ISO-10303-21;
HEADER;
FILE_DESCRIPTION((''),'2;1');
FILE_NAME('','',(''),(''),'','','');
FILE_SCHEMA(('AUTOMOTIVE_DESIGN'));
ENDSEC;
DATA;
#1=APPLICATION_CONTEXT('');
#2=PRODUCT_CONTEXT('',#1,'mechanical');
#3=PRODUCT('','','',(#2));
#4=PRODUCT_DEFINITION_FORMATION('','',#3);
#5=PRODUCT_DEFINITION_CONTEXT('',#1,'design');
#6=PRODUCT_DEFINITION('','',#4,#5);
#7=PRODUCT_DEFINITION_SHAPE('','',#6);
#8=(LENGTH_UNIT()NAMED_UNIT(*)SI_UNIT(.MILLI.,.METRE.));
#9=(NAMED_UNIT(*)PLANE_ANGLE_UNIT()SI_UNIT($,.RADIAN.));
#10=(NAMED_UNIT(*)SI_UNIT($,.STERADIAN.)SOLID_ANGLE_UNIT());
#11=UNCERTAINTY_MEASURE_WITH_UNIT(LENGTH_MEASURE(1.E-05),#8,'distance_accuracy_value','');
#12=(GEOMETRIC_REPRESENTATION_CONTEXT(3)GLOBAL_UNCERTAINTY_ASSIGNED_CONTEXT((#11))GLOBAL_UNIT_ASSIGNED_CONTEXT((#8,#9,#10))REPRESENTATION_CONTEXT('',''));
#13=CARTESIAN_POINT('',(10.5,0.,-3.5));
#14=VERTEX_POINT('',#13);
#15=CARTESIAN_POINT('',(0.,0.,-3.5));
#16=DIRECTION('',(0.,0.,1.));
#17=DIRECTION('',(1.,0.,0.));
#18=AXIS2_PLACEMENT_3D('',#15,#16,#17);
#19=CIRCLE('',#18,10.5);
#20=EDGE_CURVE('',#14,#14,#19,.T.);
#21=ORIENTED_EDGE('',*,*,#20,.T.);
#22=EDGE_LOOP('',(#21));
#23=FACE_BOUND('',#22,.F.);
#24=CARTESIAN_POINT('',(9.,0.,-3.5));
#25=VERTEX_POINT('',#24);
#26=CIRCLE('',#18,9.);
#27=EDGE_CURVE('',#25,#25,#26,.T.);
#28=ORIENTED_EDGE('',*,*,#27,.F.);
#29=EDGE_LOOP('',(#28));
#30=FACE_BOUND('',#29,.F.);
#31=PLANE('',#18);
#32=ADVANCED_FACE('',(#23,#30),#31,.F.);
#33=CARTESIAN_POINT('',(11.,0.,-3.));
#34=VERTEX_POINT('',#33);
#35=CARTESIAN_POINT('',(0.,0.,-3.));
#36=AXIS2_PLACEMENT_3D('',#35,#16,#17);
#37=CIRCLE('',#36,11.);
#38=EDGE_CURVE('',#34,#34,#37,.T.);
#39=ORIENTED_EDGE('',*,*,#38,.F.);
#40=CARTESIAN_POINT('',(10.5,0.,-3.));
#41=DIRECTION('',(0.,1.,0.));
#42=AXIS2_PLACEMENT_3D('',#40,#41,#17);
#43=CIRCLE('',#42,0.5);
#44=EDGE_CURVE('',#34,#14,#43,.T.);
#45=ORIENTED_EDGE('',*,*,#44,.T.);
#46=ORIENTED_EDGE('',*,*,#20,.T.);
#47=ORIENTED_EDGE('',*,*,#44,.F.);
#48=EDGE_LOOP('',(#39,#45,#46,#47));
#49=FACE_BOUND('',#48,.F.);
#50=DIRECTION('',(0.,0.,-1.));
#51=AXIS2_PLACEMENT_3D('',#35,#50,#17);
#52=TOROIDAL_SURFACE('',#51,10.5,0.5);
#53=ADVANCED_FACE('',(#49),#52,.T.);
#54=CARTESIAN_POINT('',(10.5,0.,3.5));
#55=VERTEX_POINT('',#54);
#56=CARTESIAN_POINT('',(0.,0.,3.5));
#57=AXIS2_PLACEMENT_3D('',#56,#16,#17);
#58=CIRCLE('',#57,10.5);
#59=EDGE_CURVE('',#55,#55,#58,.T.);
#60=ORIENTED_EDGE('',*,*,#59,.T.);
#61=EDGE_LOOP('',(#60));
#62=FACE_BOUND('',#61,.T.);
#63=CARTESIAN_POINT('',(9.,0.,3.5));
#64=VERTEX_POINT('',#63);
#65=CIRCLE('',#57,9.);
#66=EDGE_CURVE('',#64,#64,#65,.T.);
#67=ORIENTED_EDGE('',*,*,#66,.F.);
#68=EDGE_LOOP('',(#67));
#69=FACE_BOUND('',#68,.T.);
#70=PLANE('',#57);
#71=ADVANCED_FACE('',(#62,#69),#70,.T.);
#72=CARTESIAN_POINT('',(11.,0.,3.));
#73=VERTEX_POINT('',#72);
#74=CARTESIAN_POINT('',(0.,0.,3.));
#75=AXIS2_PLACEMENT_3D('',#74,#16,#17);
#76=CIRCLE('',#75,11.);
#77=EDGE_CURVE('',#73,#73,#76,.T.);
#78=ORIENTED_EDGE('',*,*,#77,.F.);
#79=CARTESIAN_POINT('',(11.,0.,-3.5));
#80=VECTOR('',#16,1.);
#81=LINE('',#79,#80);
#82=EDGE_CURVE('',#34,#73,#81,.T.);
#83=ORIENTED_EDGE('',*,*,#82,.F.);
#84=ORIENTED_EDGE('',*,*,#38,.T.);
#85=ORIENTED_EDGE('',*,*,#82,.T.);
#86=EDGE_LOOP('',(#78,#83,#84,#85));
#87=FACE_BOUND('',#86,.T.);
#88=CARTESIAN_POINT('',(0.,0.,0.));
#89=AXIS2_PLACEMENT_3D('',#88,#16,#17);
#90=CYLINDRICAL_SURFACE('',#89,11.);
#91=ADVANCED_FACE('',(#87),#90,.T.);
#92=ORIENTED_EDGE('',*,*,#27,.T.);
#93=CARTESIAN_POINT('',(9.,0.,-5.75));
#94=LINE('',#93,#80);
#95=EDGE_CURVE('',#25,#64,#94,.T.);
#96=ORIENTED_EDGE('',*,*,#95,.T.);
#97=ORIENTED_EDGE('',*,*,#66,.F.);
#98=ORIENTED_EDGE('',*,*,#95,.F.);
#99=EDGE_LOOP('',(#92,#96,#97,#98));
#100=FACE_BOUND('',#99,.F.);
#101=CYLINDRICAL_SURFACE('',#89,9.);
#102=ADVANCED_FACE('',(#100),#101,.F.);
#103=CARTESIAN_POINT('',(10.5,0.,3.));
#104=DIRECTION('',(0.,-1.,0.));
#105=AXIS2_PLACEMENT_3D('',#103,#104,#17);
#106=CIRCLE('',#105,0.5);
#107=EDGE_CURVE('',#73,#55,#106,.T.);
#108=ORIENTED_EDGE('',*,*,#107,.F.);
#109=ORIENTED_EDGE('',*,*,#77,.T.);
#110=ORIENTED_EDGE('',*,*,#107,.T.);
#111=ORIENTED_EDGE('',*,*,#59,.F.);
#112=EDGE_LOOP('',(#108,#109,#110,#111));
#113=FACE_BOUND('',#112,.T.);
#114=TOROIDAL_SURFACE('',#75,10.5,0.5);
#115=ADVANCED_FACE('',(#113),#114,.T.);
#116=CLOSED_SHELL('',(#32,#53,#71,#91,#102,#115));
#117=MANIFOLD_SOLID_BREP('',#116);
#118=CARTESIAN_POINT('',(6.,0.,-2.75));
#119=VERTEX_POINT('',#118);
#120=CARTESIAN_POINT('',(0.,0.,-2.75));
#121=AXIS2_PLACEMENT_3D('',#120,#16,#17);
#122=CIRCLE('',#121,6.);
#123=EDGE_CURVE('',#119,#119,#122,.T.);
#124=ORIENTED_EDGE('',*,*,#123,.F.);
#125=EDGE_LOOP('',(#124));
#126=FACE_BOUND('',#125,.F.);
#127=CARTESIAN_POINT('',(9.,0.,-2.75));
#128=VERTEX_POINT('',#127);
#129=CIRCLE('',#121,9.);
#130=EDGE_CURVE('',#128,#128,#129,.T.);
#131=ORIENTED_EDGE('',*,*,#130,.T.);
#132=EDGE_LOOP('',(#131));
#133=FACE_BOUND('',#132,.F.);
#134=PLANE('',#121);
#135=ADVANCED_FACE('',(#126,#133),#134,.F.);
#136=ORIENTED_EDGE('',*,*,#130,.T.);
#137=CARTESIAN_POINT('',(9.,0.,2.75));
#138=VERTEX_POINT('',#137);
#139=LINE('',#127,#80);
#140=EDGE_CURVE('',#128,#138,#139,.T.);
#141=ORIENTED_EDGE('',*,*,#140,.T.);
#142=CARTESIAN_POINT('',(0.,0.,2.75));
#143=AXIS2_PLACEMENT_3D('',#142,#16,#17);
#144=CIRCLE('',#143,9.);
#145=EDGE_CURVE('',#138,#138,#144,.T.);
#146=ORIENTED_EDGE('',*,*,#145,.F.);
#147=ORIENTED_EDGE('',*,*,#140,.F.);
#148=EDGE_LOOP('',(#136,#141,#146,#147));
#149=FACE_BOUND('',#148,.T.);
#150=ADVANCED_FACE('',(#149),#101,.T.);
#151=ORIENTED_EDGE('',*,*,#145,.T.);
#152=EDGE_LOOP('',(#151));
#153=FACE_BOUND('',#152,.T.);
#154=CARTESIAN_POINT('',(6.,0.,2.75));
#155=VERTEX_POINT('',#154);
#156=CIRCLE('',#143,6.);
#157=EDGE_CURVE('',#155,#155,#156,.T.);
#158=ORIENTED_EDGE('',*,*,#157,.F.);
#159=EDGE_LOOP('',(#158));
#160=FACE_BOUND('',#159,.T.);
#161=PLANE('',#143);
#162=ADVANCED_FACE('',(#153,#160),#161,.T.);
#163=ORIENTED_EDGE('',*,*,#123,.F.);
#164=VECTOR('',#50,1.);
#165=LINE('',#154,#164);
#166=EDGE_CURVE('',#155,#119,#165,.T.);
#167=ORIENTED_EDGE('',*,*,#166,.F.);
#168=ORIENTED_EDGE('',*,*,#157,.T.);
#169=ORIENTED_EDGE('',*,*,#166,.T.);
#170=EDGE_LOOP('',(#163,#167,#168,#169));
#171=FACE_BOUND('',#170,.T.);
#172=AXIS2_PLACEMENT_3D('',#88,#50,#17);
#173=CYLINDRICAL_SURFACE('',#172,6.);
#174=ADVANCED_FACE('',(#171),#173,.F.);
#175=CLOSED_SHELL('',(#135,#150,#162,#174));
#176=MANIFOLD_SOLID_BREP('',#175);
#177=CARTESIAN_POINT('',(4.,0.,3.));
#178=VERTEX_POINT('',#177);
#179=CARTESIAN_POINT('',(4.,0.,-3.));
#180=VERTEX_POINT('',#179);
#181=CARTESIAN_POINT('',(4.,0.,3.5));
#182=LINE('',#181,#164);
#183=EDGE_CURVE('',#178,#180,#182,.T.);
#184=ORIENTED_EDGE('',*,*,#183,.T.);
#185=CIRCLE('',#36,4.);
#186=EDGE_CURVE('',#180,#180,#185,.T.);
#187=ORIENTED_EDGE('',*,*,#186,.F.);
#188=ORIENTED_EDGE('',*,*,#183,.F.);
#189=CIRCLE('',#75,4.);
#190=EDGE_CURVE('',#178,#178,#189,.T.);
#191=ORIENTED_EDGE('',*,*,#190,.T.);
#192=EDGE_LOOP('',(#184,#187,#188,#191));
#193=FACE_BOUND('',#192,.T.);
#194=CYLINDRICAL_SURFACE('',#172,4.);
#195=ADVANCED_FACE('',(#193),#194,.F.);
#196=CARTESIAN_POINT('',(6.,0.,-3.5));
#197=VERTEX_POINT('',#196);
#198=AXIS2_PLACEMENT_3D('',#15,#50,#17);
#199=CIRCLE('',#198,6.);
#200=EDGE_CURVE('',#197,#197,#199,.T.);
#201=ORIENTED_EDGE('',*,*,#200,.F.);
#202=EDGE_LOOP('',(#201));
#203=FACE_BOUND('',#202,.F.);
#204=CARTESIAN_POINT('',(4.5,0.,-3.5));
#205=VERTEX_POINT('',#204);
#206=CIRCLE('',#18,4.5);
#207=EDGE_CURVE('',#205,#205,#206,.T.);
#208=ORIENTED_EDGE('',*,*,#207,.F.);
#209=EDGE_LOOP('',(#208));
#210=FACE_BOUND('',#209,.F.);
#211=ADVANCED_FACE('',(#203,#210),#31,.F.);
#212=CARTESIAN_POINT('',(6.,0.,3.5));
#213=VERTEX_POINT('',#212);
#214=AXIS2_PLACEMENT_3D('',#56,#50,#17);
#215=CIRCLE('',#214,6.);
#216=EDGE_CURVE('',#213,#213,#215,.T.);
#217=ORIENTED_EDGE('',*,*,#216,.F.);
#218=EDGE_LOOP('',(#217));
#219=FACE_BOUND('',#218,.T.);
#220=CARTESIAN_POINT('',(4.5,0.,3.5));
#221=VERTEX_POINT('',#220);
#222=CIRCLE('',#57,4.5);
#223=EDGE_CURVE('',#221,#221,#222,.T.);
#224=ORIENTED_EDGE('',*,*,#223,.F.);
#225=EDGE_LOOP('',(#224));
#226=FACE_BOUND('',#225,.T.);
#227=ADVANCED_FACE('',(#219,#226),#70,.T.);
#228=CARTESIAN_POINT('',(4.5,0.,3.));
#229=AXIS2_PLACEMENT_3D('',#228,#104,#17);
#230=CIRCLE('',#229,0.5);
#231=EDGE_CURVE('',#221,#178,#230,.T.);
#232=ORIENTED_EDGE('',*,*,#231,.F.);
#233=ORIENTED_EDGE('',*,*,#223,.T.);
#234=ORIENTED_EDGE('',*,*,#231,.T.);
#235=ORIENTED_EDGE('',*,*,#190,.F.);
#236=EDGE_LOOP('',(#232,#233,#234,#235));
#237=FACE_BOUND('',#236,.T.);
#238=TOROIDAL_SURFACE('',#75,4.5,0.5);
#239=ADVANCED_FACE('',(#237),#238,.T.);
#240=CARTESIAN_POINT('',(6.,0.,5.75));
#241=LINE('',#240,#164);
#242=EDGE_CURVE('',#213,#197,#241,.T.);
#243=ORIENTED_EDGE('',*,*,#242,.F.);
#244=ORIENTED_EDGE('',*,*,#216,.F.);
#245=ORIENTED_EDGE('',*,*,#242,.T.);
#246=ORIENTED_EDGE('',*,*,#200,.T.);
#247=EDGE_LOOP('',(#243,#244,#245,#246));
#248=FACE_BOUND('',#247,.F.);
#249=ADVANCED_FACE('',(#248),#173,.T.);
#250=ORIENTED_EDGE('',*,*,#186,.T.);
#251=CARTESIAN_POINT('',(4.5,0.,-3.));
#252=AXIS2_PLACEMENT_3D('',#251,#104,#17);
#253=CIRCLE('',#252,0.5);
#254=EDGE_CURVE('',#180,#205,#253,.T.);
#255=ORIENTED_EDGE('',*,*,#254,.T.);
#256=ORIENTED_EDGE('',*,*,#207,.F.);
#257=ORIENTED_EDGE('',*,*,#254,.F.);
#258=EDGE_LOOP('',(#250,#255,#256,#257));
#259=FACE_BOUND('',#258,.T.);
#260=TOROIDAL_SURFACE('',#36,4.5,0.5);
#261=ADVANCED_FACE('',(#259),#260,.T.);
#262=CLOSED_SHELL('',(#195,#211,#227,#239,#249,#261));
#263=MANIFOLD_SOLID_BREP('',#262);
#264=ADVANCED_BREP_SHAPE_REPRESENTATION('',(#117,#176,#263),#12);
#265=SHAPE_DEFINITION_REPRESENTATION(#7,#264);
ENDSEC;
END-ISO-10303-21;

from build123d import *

# Parameters (mm, degrees)
F0_R     = 11
F0_R_2   = 4
F1_DEPTH = 3.5
F2_R     = 0.5
F3_R     = 9
F3_R_2   = 6
F4_DEPTH = 5.75
F5_R     = 9
F5_R_2   = 6
F6_DEPTH = 2.75


with BuildPart() as f1:
    # F0 (on Top) → F1 (new body, symmetric)
    with BuildSketch(Plane.XY):
        Circle(F0_R)
        Circle(F0_R_2, mode=Mode.SUBTRACT)
    extrude(amount=F1_DEPTH, both=True)

    # F2
    f2_edges = [f1.edges().sort_by_distance(p)[0] for p in [
        (-11, 0, 3.5),
        (-11, 0, -3.5),
        (-4, 0, 3.5),
        (-4, 0, -3.5),
    ]]
    fillet(f2_edges, radius=F2_R)

    # F3 (on Top) → F4 (cut, symmetric)
    with BuildSketch(Plane.XY):
        Circle(F3_R)
        Circle(F3_R_2, mode=Mode.SUBTRACT)
    extrude(amount=F4_DEPTH, both=True, mode=Mode.SUBTRACT)


with BuildPart() as f6:
    # F5 (on Top) → F6 (new body, symmetric)
    with BuildSketch(Plane.XY):
        Circle(F5_R)
        Circle(F5_R_2, mode=Mode.SUBTRACT)
    extrude(amount=F6_DEPTH, both=True)


solid = Compound([f1.part, f6.part])
